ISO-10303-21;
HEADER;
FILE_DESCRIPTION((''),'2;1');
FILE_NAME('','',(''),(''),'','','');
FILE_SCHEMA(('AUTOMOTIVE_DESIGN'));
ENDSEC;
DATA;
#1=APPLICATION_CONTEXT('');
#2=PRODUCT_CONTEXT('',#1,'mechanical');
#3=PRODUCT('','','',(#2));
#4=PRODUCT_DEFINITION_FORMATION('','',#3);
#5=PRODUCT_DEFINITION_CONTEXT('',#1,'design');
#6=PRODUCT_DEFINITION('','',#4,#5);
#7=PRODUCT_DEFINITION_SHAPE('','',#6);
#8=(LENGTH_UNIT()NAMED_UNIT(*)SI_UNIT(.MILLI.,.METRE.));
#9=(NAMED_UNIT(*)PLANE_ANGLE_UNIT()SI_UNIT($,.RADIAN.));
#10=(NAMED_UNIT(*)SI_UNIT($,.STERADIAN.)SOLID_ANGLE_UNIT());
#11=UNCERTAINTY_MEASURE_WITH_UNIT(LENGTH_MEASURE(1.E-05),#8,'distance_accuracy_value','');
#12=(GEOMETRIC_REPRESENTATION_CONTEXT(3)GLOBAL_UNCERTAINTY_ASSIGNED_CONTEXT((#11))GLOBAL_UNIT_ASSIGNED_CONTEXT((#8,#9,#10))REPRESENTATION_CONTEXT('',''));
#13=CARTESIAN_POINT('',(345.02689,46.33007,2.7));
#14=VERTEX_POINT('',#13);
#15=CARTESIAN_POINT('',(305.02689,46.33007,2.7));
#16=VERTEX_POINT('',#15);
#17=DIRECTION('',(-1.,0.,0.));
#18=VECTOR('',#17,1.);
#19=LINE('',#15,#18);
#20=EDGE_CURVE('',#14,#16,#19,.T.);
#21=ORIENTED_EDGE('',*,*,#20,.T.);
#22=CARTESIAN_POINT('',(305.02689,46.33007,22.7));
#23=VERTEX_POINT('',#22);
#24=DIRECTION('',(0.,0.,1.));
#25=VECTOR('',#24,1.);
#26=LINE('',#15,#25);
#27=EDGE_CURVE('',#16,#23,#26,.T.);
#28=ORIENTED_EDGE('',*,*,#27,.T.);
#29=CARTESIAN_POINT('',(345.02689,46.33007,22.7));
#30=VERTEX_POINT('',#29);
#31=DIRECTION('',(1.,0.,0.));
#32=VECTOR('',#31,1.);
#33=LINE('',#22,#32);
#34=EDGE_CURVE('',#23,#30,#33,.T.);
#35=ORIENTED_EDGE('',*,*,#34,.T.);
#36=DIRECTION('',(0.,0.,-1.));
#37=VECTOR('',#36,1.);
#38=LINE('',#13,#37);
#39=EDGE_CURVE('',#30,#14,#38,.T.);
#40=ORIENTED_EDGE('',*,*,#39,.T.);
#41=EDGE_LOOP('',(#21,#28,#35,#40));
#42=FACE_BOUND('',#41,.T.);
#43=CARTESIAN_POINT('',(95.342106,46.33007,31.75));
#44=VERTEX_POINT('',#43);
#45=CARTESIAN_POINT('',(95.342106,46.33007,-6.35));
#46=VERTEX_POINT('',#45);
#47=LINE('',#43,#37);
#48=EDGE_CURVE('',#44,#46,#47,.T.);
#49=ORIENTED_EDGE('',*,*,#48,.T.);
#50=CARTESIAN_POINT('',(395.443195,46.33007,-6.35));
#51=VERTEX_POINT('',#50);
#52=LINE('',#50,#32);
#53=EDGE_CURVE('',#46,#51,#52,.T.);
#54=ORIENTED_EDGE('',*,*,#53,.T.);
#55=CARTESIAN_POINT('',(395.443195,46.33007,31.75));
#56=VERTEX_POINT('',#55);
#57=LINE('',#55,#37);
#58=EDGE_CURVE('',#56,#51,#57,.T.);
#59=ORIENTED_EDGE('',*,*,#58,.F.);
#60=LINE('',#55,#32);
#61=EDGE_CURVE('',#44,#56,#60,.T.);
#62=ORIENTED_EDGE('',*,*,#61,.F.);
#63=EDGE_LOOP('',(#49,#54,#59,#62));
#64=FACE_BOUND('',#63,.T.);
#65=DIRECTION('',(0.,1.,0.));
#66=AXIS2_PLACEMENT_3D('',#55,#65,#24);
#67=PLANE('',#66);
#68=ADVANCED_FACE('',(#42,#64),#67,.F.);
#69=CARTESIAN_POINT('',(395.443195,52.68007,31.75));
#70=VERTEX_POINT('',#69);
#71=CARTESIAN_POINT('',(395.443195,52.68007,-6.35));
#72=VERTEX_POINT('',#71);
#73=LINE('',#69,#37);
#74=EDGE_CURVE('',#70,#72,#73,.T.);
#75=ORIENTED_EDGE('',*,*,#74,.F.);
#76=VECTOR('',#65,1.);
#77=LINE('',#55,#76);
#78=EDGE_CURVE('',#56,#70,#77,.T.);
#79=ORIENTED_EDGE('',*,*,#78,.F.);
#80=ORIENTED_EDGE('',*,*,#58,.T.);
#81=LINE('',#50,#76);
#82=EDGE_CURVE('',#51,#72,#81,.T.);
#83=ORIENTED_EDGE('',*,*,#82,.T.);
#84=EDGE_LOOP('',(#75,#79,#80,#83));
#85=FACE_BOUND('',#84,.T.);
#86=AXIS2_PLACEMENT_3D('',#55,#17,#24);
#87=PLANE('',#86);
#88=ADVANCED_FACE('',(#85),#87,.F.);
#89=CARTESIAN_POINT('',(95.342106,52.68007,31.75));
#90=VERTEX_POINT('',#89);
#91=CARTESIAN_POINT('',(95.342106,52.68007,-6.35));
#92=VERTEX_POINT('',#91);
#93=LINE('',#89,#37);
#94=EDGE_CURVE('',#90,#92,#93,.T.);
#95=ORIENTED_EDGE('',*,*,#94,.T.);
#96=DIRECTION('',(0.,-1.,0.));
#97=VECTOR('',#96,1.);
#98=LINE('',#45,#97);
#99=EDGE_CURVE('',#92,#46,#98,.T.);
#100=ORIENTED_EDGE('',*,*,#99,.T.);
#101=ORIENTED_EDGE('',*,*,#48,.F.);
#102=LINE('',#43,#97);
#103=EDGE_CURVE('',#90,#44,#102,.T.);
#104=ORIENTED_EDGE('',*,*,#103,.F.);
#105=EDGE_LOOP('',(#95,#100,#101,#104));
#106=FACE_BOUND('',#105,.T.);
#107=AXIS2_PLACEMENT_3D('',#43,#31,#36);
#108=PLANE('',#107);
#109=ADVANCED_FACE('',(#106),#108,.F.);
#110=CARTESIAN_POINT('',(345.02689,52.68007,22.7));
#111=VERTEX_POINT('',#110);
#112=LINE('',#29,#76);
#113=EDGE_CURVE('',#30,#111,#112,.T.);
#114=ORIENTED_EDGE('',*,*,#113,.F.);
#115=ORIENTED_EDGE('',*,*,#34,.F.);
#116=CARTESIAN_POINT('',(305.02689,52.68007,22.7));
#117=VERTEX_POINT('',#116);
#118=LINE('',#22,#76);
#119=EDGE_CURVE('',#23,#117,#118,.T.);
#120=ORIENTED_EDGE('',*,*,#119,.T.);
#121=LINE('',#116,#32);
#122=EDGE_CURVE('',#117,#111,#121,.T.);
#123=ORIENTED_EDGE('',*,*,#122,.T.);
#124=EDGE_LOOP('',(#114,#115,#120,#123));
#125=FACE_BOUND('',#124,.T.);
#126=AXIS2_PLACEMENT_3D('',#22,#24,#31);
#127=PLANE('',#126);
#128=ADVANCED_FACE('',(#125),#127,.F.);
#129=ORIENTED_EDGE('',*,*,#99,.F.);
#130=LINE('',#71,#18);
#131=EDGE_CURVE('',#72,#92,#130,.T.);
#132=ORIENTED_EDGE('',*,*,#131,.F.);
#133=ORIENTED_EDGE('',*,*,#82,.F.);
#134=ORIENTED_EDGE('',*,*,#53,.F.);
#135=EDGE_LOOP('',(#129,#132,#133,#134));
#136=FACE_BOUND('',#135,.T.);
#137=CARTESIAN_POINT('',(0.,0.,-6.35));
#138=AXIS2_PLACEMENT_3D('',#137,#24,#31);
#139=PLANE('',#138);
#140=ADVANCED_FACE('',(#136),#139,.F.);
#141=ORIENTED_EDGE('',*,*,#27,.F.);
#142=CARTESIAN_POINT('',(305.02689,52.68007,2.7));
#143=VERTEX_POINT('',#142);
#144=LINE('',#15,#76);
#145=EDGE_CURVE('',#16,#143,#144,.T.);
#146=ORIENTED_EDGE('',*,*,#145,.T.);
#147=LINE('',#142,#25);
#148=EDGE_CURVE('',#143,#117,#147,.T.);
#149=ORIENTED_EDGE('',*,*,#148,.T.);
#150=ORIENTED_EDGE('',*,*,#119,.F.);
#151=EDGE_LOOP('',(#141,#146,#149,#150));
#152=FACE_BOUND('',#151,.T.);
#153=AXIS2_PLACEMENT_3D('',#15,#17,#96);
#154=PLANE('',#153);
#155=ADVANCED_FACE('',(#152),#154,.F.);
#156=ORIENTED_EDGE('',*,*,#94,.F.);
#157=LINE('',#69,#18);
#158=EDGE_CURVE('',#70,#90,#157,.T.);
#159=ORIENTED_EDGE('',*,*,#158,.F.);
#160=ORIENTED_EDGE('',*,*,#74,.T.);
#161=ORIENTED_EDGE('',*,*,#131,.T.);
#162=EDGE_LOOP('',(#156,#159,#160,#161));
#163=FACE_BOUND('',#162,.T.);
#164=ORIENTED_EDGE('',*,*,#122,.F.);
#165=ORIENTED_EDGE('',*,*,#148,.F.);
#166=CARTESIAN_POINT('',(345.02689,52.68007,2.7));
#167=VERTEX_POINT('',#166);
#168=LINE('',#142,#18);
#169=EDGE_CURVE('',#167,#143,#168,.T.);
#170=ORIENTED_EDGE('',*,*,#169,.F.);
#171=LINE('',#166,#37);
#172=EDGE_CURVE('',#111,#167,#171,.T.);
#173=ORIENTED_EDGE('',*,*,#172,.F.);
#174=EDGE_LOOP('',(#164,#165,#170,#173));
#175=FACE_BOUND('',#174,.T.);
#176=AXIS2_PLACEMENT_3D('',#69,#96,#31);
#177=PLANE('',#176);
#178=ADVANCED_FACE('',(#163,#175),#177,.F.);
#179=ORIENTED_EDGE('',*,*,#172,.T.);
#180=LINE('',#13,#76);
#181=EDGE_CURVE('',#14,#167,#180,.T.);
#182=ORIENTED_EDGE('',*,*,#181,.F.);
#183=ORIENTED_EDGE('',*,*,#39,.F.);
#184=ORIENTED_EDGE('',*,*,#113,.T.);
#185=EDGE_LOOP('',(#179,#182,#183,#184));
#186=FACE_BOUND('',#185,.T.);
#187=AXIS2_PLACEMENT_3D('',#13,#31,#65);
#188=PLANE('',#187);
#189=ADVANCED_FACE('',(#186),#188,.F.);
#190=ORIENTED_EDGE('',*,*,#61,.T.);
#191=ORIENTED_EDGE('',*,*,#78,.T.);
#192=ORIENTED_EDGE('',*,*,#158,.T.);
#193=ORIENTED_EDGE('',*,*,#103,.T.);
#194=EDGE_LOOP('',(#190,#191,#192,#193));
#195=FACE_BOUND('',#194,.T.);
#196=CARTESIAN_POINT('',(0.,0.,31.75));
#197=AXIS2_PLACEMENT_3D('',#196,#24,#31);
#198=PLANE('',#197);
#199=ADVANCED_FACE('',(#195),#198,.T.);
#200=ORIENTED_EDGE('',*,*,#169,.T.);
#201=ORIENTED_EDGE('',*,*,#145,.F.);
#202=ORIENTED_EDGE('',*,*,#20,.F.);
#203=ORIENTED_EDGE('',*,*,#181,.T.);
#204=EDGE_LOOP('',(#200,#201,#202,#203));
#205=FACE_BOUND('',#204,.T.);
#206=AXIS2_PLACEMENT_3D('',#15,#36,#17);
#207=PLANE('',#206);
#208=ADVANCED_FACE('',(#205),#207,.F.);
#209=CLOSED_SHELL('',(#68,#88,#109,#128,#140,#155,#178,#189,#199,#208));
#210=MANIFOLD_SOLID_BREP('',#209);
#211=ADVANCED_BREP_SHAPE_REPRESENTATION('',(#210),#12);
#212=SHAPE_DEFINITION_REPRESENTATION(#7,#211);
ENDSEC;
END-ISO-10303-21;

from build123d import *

# Parameters (mm, degrees)
SKETCH1_W           = 300.101088838
SKETCH1_H           = 6.35
BOSS_EXTRUDE1_DEPTH = 38.1
SKETCH2_W           = 40
SKETCH2_H           = 20
CUT_EXTRUDE1_DEPTH  = 7.35


with BuildPart() as part:
    # Sketch1 → Boss-Extrude1 (new body)
    with BuildSketch(Plane.XY.offset(-6.35)):
        with Locations((245.392650566, 49.505069687)):
            Rectangle(SKETCH1_W, SKETCH1_H)
    extrude(amount=BOSS_EXTRUDE1_DEPTH)

    # Sketch2 → Cut-Extrude1 (cut, through all)
    with BuildSketch(Plane(origin=(0, 52.680069687, 0), x_dir=(1, 0, 0), z_dir=(0, 1, 0))):
        with Locations((325.026890103, -12.7)):
            Rectangle(SKETCH2_W, SKETCH2_H)
    extrude(amount=-CUT_EXTRUDE1_DEPTH, mode=Mode.SUBTRACT)


solid = part.part
